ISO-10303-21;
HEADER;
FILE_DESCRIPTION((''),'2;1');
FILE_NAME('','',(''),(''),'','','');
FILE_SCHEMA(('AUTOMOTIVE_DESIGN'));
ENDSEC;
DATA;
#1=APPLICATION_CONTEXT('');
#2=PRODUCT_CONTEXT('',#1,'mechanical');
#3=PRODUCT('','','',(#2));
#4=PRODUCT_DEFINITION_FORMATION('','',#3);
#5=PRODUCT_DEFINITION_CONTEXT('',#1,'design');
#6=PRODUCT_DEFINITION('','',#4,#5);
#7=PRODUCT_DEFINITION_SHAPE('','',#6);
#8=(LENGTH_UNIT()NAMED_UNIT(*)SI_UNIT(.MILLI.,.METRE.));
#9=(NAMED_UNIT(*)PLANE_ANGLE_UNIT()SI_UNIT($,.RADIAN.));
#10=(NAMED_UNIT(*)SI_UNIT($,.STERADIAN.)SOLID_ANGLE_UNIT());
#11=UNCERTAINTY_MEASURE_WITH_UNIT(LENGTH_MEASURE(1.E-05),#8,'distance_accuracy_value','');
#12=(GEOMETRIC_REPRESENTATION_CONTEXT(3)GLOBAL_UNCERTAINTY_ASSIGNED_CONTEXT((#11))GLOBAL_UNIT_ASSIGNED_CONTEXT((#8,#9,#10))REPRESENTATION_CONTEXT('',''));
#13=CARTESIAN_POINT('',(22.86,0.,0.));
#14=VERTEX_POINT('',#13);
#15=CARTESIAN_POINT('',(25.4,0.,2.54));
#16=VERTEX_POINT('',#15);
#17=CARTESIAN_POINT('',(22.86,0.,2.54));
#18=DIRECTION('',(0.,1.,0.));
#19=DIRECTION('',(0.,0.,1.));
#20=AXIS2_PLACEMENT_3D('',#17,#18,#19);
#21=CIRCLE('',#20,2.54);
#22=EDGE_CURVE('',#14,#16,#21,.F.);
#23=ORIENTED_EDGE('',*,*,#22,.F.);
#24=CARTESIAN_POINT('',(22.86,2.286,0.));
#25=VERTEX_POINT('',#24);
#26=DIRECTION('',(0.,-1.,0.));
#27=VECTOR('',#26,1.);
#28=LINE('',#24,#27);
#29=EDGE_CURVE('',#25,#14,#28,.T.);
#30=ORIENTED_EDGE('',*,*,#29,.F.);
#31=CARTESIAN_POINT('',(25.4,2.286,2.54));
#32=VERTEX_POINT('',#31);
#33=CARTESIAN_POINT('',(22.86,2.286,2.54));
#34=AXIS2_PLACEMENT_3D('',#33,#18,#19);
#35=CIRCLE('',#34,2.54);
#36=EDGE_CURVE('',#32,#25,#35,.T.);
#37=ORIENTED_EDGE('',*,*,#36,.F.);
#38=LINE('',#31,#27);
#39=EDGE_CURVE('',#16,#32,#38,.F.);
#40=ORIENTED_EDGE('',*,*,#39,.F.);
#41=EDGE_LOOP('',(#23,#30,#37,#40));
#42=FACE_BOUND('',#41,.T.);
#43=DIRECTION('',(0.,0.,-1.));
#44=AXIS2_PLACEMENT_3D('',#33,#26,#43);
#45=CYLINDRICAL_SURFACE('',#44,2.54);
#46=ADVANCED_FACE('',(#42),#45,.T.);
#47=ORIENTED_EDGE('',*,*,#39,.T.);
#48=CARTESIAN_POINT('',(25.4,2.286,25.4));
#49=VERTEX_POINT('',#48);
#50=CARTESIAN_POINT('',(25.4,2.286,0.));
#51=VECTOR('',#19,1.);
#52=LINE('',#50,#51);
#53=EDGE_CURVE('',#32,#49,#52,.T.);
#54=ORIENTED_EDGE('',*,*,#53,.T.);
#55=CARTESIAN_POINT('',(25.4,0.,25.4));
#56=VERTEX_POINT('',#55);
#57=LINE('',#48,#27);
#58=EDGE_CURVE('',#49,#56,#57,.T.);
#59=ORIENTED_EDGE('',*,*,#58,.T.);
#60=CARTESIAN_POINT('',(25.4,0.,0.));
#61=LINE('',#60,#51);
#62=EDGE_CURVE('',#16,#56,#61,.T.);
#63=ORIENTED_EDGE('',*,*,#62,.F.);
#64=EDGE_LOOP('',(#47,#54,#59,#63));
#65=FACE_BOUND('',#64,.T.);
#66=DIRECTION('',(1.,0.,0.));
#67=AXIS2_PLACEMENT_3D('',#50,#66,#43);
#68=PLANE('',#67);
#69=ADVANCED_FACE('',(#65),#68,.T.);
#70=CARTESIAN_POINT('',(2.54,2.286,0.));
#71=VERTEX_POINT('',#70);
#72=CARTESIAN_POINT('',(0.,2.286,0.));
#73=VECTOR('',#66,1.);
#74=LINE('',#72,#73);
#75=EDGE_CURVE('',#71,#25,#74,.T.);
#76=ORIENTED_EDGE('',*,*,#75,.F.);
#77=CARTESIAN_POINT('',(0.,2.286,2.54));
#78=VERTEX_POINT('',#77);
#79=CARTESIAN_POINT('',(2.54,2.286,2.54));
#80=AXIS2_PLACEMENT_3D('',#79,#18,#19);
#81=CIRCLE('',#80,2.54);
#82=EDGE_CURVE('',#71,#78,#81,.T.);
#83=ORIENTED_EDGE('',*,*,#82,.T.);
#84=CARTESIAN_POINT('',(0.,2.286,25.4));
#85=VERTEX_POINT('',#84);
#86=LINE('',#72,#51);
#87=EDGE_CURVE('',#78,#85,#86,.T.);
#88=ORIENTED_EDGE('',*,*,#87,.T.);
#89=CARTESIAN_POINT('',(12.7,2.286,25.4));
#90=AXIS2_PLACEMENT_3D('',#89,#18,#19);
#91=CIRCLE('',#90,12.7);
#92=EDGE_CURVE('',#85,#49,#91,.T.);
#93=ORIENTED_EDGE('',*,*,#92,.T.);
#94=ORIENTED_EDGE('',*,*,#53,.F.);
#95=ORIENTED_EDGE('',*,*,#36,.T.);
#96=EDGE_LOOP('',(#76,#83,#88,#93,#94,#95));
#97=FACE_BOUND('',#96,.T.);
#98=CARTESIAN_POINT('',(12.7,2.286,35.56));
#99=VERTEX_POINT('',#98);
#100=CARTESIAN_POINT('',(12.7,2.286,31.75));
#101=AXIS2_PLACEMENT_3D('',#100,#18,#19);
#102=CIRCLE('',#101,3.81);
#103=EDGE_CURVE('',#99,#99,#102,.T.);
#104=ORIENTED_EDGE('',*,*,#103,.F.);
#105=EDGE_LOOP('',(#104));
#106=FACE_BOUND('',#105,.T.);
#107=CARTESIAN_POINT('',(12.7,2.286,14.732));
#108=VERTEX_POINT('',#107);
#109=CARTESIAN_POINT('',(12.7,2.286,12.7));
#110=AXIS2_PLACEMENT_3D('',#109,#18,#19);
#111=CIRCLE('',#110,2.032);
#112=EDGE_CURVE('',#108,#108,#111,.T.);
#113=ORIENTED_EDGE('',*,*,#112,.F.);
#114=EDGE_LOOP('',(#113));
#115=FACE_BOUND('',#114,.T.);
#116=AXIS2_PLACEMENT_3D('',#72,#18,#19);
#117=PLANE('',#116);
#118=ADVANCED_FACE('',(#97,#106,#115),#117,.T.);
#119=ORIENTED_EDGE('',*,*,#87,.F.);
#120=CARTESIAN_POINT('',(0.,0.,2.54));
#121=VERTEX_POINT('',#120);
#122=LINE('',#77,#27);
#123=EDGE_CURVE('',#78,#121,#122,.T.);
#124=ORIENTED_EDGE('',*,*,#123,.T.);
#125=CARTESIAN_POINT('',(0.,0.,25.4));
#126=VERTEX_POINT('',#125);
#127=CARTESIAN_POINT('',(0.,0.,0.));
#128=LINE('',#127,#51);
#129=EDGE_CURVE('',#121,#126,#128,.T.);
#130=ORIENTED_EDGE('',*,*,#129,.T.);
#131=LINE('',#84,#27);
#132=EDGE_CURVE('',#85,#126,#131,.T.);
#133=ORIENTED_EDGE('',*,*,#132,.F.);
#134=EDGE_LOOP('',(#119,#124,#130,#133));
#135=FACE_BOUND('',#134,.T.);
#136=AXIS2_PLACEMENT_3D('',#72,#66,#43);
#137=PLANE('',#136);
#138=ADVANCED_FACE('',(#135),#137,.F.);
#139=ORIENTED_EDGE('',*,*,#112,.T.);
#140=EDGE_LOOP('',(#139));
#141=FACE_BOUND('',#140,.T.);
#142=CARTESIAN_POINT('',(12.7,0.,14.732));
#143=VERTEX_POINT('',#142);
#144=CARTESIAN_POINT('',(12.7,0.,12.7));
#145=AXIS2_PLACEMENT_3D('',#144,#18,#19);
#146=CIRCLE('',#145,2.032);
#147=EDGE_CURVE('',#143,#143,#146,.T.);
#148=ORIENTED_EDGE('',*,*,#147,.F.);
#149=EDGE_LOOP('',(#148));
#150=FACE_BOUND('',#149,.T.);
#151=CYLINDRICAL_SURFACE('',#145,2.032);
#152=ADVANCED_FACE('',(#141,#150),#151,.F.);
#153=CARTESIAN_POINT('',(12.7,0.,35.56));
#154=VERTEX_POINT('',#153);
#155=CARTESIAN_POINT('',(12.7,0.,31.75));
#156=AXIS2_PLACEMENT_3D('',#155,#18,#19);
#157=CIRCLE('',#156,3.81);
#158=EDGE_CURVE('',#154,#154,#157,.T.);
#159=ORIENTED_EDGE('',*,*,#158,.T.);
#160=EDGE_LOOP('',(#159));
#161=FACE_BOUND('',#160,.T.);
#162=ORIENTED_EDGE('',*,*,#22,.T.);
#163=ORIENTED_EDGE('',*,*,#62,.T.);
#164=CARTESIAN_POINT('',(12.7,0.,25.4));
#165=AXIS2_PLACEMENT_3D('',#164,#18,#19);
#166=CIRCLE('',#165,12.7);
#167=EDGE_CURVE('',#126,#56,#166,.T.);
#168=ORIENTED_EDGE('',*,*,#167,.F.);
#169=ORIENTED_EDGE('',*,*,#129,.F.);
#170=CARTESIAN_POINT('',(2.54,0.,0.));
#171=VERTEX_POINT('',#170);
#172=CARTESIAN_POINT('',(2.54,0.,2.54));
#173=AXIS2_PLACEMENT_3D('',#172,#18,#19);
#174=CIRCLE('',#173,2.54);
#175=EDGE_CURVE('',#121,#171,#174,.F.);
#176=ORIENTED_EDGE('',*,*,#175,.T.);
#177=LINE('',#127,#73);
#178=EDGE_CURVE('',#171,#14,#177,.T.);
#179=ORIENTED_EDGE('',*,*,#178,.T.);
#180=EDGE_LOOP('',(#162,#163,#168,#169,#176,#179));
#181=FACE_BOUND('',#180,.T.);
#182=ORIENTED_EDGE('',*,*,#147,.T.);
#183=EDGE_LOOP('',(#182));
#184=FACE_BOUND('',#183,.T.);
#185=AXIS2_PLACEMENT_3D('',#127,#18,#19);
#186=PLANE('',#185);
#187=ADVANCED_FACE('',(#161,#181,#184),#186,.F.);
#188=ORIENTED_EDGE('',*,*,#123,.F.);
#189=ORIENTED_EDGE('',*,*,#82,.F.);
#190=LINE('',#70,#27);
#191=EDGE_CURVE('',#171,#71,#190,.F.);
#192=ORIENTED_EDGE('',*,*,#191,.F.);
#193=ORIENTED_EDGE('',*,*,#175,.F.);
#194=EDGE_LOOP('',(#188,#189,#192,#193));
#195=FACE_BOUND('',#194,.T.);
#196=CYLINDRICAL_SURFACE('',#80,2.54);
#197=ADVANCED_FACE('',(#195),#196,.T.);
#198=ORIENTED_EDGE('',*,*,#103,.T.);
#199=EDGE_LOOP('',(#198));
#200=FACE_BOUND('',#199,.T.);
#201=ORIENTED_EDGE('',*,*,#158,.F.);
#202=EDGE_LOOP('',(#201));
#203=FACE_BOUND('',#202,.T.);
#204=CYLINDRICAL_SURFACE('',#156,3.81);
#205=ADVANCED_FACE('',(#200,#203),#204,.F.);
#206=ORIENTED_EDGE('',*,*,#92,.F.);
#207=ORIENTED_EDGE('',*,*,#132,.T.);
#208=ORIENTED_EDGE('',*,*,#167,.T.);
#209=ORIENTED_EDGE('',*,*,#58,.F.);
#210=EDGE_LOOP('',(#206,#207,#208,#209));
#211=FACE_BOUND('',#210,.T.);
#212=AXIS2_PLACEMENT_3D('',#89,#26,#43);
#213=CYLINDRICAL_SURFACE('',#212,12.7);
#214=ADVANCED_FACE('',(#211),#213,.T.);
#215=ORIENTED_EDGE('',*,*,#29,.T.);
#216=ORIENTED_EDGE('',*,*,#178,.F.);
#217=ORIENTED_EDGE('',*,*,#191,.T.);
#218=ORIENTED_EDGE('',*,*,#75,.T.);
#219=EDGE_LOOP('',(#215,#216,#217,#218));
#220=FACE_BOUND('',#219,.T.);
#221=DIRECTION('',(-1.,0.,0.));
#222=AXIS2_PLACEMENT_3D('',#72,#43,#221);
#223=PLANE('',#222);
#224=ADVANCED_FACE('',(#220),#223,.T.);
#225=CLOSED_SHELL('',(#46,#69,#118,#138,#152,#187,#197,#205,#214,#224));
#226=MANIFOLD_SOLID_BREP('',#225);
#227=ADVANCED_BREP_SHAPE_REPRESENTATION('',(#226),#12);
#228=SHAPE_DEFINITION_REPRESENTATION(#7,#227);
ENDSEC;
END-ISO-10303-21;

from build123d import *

# Parameters (mm, degrees)
BOSS_EXTRUDE1_DEPTH     = 2.286
SKETCH2_R               = 2.032
SKETCH2_R_2             = 3.81
CUT_EXTRUDE1_DEPTH      = 1
CUT_EXTRUDE1_DEPTH_BACK = 3.286
FILLET1_R               = 2.54
FILLET2_R               = 2.54


with BuildPart() as part:
    # Sketch1 → Boss-Extrude1 (new body)
    with BuildSketch(Plane(origin=(0, 0, 0), x_dir=(1, 0, 0), z_dir=(0, 1, 0))):
        with BuildLine():
            ThreePointArc((25.4, -25.4), (12.7, -12.7), (0, -25.4))
            Line((0, -25.4), (25.4, -25.4))
        make_face()
        with BuildLine():
            Line((25.4, -25.4), (0, -25.4))
            ThreePointArc((0, -25.4), (12.7, -38.1), (25.4, -25.4))
        make_face()
        with BuildLine():
            Line((25.4, 0), (0, 0))
            Line((0, 0), (0, -25.4))
            ThreePointArc((0, -25.4), (12.7, -12.7), (25.4, -25.4))
            Line((25.4, -25.4), (25.4, 0))
        make_face()
    extrude(amount=BOSS_EXTRUDE1_DEPTH)

    # Sketch2 → Cut-Extrude1 (cut, two sides)
    with BuildSketch(Plane(origin=(0, 2.286, 0), x_dir=(1, 0, 0), z_dir=(0, 1, 0))) as cut_extrude1_sk:
        with Locations((12.7, -12.7)):
            Circle(SKETCH2_R)
        with Locations((12.7, -31.75)):
            Circle(SKETCH2_R_2)
    extrude(amount=CUT_EXTRUDE1_DEPTH, mode=Mode.SUBTRACT)
    extrude(cut_extrude1_sk.sketch, amount=-CUT_EXTRUDE1_DEPTH_BACK, mode=Mode.SUBTRACT)

    # Fillet1
    fillet1_edges = [part.edges().sort_by_distance(p)[0] for p in [
        (0, 1.143, 0),
    ]]
    fillet(fillet1_edges, radius=FILLET1_R)

    # Fillet2
    fillet2_edges = [part.edges().sort_by_distance(p)[0] for p in [
        (25.4, 1.143, 0),
    ]]
    fillet(fillet2_edges, radius=FILLET2_R)


solid = part.part
